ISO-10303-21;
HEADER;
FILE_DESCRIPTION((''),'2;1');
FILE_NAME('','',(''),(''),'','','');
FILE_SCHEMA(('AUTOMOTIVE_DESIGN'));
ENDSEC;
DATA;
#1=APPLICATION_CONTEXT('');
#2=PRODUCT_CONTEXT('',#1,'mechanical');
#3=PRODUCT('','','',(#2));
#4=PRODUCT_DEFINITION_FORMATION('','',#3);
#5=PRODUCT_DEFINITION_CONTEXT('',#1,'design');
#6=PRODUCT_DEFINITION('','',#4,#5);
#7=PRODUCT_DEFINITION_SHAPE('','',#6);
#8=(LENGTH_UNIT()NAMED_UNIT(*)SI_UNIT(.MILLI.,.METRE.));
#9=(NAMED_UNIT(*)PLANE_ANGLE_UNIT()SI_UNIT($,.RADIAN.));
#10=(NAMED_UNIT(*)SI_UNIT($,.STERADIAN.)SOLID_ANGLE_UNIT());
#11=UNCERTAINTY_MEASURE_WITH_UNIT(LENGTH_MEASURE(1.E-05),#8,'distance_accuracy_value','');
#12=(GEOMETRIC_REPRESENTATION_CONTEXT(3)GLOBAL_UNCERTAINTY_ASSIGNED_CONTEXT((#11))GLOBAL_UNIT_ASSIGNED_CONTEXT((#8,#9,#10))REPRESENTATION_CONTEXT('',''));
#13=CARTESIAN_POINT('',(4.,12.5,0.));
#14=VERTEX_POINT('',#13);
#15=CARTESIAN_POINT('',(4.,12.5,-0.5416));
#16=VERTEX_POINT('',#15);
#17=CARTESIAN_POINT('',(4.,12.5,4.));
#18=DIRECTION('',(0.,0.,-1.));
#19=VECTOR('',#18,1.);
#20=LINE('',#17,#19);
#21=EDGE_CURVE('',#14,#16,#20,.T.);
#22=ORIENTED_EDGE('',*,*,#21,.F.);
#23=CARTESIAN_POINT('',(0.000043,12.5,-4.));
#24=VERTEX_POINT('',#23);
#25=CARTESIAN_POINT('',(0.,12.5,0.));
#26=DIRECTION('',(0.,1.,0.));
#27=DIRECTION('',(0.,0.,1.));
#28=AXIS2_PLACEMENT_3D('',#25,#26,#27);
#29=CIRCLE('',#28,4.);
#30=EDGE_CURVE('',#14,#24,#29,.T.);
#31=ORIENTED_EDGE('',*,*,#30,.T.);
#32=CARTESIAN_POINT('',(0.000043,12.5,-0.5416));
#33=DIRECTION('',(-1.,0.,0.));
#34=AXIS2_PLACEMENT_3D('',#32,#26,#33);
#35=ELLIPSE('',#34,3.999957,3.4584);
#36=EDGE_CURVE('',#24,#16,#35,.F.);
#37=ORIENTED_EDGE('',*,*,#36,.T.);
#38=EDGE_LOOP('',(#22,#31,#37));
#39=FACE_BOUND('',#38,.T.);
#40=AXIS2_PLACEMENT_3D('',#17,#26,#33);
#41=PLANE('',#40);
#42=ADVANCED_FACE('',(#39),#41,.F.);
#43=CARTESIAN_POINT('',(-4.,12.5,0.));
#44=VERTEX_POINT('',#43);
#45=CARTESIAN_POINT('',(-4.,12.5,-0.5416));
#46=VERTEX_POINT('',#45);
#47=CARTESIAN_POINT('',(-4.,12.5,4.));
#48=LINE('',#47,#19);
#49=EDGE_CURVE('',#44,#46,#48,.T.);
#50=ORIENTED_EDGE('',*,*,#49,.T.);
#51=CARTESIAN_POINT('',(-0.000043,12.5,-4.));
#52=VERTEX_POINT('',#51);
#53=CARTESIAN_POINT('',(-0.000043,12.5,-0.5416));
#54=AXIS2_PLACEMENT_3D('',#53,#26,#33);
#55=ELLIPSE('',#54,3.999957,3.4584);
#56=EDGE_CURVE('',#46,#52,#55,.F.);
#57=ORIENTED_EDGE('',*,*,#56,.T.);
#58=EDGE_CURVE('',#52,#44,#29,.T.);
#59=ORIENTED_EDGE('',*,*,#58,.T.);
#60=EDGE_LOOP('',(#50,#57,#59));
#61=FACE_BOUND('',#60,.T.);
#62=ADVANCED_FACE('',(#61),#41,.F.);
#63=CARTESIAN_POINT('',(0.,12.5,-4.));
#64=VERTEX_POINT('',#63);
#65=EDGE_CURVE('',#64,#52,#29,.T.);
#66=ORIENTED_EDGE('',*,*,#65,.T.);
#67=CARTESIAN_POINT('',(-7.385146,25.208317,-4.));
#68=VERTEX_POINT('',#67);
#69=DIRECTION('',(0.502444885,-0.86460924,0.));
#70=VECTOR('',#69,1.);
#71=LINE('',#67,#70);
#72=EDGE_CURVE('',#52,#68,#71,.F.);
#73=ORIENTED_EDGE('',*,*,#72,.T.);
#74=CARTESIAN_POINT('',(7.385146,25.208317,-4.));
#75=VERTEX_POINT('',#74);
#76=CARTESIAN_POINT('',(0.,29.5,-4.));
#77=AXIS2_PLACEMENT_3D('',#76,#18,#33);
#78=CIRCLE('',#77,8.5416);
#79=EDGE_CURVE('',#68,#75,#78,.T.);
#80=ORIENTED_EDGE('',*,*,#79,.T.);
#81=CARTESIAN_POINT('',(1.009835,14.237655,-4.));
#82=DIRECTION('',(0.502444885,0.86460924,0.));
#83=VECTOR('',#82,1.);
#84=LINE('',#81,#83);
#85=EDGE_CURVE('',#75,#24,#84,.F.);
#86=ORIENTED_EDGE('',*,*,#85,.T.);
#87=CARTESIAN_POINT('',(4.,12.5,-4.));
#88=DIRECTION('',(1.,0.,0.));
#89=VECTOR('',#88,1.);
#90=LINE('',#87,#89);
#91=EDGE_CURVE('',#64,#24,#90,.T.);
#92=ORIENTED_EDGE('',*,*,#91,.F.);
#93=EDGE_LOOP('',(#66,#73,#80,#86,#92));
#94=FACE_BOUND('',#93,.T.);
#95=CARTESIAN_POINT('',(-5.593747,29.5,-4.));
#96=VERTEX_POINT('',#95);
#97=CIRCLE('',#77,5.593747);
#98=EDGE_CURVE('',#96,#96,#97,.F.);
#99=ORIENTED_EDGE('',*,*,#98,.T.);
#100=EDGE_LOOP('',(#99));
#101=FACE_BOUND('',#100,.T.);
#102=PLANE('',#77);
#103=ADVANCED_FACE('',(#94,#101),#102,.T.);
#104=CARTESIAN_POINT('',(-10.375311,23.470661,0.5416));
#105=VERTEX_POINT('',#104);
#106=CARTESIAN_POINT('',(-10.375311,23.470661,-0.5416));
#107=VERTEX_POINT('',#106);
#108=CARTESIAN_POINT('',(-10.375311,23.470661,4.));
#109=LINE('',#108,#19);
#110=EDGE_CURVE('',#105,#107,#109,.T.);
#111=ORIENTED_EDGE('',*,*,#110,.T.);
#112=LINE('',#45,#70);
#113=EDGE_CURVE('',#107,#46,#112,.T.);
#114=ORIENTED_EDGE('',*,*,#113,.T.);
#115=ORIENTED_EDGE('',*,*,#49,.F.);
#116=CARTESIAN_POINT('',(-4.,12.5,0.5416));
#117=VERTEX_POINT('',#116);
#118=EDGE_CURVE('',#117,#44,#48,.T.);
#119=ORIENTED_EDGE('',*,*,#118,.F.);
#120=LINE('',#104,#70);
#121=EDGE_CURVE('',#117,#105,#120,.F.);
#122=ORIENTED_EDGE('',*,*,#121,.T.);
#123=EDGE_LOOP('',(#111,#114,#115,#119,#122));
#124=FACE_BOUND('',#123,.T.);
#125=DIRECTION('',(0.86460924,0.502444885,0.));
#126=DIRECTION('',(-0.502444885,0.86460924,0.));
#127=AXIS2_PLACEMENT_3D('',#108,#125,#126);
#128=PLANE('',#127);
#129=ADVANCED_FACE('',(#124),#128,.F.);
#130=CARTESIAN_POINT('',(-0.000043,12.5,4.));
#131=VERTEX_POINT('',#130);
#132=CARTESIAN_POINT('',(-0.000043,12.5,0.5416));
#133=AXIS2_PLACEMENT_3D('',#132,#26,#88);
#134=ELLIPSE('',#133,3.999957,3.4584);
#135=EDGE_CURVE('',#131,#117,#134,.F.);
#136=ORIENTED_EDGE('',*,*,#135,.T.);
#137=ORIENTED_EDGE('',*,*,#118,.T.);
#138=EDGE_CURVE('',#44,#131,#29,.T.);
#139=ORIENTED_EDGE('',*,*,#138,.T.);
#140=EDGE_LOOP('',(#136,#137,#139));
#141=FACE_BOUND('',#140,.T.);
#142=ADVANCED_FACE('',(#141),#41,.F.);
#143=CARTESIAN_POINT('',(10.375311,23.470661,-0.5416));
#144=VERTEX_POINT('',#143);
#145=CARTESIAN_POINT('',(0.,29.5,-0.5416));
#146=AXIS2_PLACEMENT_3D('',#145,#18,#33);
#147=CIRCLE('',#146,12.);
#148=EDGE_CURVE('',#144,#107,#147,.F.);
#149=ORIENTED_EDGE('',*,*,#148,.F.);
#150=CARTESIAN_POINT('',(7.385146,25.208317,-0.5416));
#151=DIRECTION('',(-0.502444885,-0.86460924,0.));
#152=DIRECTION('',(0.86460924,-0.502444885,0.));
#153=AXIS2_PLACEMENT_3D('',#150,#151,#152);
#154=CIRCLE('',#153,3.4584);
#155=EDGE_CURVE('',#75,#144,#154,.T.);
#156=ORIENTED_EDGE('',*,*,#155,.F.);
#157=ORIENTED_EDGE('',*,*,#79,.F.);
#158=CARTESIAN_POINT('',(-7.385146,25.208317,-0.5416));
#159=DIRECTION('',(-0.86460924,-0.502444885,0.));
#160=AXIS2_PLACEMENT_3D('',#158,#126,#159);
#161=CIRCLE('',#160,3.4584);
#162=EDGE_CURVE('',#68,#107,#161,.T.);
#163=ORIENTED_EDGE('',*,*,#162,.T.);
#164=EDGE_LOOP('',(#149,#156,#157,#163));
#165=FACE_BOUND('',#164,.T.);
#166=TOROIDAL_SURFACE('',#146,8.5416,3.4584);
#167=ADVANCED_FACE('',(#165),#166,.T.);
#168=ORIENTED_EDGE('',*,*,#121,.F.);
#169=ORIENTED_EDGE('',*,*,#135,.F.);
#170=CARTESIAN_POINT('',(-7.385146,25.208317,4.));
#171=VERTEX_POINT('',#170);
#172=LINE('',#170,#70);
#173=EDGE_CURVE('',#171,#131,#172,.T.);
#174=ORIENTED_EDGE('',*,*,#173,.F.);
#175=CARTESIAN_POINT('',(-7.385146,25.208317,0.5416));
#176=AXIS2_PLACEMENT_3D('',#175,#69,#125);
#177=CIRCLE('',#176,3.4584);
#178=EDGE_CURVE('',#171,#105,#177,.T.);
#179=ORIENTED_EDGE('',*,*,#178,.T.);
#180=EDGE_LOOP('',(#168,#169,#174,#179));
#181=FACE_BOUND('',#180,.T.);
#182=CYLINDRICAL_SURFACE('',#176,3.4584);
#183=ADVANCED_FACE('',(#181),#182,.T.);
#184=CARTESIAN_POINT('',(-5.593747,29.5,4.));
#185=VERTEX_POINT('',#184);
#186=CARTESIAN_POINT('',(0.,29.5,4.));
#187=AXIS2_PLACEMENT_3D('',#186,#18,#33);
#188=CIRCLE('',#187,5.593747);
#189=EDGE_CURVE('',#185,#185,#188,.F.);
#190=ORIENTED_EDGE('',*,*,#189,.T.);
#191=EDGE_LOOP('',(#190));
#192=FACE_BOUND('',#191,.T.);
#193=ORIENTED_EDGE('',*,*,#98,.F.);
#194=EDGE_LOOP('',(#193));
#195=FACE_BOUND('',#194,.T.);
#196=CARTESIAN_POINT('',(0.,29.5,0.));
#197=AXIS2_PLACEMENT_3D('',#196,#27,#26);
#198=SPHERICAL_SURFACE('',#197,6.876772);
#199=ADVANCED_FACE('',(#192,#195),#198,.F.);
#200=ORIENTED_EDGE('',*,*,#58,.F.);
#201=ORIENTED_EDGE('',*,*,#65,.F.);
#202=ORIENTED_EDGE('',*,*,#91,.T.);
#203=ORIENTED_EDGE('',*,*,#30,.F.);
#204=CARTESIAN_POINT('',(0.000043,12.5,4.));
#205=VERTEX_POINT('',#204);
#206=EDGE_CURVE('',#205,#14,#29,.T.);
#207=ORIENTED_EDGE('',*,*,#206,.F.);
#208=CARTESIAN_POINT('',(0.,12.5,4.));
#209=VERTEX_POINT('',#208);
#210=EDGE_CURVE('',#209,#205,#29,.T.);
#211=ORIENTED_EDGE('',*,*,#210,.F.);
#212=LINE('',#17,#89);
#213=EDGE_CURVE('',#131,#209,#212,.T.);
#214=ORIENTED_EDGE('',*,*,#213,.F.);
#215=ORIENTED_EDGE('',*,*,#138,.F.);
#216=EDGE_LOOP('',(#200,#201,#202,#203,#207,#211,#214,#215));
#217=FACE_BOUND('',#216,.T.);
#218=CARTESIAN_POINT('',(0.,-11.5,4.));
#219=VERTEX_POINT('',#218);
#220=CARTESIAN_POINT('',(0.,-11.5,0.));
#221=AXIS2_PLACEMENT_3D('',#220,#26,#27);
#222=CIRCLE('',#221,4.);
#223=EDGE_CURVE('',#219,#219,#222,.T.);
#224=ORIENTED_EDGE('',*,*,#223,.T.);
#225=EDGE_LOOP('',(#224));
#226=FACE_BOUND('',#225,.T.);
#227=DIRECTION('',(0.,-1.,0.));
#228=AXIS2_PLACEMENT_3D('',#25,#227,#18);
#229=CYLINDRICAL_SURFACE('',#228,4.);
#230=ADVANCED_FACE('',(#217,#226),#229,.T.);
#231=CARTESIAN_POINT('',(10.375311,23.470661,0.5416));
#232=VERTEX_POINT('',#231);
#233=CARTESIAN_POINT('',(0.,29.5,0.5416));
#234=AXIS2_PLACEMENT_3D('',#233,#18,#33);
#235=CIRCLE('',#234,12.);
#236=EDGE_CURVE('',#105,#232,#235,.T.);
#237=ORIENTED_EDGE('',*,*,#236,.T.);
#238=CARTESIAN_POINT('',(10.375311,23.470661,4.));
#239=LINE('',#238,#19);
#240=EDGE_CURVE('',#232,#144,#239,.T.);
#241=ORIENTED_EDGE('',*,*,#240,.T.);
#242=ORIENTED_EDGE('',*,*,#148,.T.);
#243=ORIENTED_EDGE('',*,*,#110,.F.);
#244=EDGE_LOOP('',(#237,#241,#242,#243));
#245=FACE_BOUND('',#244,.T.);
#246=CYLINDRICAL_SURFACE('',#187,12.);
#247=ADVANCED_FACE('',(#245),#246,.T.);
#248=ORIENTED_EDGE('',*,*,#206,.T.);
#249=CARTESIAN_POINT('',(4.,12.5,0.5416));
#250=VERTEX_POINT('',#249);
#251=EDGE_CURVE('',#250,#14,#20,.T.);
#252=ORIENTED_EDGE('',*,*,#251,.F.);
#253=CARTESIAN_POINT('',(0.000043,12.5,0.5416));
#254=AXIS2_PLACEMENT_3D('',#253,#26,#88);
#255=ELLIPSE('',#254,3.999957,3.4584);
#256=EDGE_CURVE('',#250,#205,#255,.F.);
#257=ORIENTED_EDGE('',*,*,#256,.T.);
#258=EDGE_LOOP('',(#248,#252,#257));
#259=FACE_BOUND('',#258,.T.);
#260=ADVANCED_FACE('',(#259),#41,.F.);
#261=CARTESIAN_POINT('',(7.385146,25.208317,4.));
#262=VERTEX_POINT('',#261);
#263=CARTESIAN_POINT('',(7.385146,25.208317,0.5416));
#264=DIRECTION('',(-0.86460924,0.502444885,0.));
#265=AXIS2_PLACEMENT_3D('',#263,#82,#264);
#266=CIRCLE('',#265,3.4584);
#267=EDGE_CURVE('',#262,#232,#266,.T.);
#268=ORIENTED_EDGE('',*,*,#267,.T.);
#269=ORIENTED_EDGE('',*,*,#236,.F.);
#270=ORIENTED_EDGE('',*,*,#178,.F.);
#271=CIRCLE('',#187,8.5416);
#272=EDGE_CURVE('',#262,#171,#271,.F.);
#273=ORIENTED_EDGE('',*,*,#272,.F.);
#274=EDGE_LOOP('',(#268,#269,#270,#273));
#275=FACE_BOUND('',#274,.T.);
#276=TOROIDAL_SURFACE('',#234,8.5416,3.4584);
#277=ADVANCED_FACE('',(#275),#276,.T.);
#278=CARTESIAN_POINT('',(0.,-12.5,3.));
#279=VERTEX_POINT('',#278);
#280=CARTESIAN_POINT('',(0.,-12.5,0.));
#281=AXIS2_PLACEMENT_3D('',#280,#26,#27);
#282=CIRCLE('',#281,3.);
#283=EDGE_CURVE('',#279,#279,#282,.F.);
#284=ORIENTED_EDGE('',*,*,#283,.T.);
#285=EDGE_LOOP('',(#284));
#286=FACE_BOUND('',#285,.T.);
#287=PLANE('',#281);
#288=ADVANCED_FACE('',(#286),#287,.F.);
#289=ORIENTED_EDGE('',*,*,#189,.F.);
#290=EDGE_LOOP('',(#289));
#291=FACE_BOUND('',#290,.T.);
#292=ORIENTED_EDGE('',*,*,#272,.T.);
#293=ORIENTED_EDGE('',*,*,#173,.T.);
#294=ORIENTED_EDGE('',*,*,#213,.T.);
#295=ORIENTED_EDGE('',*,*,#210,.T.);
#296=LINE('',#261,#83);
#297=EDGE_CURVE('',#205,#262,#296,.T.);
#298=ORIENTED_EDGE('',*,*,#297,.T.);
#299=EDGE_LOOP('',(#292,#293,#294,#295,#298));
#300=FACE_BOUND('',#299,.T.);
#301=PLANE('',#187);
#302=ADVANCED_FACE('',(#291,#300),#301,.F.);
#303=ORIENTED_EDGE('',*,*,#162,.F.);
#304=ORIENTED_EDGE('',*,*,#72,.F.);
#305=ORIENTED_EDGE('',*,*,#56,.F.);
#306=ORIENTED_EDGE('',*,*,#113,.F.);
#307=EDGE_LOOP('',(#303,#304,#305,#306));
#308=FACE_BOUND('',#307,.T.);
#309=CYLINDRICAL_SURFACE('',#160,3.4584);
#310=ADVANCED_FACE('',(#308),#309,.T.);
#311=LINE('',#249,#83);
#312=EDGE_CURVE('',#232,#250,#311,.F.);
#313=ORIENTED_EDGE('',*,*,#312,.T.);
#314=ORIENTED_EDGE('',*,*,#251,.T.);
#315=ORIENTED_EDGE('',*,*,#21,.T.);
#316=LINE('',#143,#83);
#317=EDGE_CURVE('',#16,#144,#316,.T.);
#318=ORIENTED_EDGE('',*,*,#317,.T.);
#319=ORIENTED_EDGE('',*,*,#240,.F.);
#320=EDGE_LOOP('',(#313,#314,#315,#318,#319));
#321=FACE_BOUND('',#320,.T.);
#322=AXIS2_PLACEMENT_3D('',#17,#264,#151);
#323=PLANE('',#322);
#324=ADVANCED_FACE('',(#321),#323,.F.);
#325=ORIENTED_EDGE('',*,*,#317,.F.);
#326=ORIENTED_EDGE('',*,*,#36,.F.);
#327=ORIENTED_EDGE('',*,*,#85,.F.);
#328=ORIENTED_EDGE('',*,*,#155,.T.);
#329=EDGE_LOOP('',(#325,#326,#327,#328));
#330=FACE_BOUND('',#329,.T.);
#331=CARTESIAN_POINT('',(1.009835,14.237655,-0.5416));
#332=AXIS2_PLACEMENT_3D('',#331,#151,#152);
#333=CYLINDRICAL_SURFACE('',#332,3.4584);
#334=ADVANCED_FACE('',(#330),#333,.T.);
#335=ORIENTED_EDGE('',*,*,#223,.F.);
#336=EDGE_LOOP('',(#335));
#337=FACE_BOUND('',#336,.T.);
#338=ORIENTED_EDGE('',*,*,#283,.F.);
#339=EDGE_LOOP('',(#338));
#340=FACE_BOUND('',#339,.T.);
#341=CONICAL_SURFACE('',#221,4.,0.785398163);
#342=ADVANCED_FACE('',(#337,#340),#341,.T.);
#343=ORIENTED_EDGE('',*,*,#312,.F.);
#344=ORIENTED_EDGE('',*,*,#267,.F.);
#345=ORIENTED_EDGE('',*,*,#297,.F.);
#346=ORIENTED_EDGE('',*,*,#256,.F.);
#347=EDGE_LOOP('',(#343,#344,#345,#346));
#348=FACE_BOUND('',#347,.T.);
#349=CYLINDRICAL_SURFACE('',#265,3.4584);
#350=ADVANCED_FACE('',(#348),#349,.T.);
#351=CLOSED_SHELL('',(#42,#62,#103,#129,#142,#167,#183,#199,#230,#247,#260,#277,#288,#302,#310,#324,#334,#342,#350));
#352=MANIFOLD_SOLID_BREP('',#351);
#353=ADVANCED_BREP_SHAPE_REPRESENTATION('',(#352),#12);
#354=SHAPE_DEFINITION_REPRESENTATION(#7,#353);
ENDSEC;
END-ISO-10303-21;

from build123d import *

# Parameters (mm, degrees)
SKETCH1_R           = 4
BOSS_EXTRUDE1_DEPTH = 12.5
BOSS_EXTRUDE6_DEPTH = 4
CHAMFER1_SIZE       = 1
FILLET6_R           = 3.4584


with BuildPart() as part:
    # Sketch1 → Boss-Extrude1 (new body, symmetric)
    with BuildSketch(Plane(origin=(0, 0, 0), x_dir=(1, 0, 0), z_dir=(0, 1, 0))):
        Circle(SKETCH1_R)
    extrude(amount=BOSS_EXTRUDE1_DEPTH, both=True)

    # Sketch10 → Boss-Extrude6 (add, symmetric)
    with BuildSketch(Plane.XY):
        with BuildLine():
            Line((-10.37531088, 23.470661383), (-4, 12.5))
            Line((-4, 12.5), (4, 12.5))
            Line((4, 12.5), (10.37531088, 23.470661383))
            ThreePointArc((10.37531088, 23.470661383), (0, 41.5), (-10.37531088, 23.470661383))
        make_face()
    extrude(amount=BOSS_EXTRUDE6_DEPTH, both=True)

    # Chamfer1
    chamfer1_edges = [part.edges().sort_by_distance(p)[0] for p in [
        (-4, -12.5, 0),
    ]]
    chamfer(chamfer1_edges, length=CHAMFER1_SIZE)

    # Sketch11 → Cut-Revolve1 (revolve, cut)
    with BuildSketch(Plane(origin=(0, 0, 0), x_dir=(0, 0, -1), z_dir=(1, 0, 0))):
        with BuildLine():
            Line((-4.5, 29.5), (4.5, 29.5))
            Line((4.5, 29.5), (4.5, 34.7))
            ThreePointArc((4.5, 34.7), (0, 36.376772499), (-4.5, 34.7))
            Line((-4.5, 34.7), (-4.5, 29.5))
        make_face()
    revolve(axis=Axis((0, 29.5, 4.5), (0, 0, -1)), mode=Mode.SUBTRACT)

    # Fillet6
    fillet6_edges = [part.edges().sort_by_distance(p)[0] for p in [
        (-7.18765544, 17.985330692, 4),
        (0, 41.5, 4),
        (7.18765544, 17.985330692, 4),
        (7.18765544, 17.985330692, -4),
        (0, 41.5, -4),
        (-7.18765544, 17.985330692, -4),
    ]]
    fillet(fillet6_edges, radius=FILLET6_R)


solid = part.part
